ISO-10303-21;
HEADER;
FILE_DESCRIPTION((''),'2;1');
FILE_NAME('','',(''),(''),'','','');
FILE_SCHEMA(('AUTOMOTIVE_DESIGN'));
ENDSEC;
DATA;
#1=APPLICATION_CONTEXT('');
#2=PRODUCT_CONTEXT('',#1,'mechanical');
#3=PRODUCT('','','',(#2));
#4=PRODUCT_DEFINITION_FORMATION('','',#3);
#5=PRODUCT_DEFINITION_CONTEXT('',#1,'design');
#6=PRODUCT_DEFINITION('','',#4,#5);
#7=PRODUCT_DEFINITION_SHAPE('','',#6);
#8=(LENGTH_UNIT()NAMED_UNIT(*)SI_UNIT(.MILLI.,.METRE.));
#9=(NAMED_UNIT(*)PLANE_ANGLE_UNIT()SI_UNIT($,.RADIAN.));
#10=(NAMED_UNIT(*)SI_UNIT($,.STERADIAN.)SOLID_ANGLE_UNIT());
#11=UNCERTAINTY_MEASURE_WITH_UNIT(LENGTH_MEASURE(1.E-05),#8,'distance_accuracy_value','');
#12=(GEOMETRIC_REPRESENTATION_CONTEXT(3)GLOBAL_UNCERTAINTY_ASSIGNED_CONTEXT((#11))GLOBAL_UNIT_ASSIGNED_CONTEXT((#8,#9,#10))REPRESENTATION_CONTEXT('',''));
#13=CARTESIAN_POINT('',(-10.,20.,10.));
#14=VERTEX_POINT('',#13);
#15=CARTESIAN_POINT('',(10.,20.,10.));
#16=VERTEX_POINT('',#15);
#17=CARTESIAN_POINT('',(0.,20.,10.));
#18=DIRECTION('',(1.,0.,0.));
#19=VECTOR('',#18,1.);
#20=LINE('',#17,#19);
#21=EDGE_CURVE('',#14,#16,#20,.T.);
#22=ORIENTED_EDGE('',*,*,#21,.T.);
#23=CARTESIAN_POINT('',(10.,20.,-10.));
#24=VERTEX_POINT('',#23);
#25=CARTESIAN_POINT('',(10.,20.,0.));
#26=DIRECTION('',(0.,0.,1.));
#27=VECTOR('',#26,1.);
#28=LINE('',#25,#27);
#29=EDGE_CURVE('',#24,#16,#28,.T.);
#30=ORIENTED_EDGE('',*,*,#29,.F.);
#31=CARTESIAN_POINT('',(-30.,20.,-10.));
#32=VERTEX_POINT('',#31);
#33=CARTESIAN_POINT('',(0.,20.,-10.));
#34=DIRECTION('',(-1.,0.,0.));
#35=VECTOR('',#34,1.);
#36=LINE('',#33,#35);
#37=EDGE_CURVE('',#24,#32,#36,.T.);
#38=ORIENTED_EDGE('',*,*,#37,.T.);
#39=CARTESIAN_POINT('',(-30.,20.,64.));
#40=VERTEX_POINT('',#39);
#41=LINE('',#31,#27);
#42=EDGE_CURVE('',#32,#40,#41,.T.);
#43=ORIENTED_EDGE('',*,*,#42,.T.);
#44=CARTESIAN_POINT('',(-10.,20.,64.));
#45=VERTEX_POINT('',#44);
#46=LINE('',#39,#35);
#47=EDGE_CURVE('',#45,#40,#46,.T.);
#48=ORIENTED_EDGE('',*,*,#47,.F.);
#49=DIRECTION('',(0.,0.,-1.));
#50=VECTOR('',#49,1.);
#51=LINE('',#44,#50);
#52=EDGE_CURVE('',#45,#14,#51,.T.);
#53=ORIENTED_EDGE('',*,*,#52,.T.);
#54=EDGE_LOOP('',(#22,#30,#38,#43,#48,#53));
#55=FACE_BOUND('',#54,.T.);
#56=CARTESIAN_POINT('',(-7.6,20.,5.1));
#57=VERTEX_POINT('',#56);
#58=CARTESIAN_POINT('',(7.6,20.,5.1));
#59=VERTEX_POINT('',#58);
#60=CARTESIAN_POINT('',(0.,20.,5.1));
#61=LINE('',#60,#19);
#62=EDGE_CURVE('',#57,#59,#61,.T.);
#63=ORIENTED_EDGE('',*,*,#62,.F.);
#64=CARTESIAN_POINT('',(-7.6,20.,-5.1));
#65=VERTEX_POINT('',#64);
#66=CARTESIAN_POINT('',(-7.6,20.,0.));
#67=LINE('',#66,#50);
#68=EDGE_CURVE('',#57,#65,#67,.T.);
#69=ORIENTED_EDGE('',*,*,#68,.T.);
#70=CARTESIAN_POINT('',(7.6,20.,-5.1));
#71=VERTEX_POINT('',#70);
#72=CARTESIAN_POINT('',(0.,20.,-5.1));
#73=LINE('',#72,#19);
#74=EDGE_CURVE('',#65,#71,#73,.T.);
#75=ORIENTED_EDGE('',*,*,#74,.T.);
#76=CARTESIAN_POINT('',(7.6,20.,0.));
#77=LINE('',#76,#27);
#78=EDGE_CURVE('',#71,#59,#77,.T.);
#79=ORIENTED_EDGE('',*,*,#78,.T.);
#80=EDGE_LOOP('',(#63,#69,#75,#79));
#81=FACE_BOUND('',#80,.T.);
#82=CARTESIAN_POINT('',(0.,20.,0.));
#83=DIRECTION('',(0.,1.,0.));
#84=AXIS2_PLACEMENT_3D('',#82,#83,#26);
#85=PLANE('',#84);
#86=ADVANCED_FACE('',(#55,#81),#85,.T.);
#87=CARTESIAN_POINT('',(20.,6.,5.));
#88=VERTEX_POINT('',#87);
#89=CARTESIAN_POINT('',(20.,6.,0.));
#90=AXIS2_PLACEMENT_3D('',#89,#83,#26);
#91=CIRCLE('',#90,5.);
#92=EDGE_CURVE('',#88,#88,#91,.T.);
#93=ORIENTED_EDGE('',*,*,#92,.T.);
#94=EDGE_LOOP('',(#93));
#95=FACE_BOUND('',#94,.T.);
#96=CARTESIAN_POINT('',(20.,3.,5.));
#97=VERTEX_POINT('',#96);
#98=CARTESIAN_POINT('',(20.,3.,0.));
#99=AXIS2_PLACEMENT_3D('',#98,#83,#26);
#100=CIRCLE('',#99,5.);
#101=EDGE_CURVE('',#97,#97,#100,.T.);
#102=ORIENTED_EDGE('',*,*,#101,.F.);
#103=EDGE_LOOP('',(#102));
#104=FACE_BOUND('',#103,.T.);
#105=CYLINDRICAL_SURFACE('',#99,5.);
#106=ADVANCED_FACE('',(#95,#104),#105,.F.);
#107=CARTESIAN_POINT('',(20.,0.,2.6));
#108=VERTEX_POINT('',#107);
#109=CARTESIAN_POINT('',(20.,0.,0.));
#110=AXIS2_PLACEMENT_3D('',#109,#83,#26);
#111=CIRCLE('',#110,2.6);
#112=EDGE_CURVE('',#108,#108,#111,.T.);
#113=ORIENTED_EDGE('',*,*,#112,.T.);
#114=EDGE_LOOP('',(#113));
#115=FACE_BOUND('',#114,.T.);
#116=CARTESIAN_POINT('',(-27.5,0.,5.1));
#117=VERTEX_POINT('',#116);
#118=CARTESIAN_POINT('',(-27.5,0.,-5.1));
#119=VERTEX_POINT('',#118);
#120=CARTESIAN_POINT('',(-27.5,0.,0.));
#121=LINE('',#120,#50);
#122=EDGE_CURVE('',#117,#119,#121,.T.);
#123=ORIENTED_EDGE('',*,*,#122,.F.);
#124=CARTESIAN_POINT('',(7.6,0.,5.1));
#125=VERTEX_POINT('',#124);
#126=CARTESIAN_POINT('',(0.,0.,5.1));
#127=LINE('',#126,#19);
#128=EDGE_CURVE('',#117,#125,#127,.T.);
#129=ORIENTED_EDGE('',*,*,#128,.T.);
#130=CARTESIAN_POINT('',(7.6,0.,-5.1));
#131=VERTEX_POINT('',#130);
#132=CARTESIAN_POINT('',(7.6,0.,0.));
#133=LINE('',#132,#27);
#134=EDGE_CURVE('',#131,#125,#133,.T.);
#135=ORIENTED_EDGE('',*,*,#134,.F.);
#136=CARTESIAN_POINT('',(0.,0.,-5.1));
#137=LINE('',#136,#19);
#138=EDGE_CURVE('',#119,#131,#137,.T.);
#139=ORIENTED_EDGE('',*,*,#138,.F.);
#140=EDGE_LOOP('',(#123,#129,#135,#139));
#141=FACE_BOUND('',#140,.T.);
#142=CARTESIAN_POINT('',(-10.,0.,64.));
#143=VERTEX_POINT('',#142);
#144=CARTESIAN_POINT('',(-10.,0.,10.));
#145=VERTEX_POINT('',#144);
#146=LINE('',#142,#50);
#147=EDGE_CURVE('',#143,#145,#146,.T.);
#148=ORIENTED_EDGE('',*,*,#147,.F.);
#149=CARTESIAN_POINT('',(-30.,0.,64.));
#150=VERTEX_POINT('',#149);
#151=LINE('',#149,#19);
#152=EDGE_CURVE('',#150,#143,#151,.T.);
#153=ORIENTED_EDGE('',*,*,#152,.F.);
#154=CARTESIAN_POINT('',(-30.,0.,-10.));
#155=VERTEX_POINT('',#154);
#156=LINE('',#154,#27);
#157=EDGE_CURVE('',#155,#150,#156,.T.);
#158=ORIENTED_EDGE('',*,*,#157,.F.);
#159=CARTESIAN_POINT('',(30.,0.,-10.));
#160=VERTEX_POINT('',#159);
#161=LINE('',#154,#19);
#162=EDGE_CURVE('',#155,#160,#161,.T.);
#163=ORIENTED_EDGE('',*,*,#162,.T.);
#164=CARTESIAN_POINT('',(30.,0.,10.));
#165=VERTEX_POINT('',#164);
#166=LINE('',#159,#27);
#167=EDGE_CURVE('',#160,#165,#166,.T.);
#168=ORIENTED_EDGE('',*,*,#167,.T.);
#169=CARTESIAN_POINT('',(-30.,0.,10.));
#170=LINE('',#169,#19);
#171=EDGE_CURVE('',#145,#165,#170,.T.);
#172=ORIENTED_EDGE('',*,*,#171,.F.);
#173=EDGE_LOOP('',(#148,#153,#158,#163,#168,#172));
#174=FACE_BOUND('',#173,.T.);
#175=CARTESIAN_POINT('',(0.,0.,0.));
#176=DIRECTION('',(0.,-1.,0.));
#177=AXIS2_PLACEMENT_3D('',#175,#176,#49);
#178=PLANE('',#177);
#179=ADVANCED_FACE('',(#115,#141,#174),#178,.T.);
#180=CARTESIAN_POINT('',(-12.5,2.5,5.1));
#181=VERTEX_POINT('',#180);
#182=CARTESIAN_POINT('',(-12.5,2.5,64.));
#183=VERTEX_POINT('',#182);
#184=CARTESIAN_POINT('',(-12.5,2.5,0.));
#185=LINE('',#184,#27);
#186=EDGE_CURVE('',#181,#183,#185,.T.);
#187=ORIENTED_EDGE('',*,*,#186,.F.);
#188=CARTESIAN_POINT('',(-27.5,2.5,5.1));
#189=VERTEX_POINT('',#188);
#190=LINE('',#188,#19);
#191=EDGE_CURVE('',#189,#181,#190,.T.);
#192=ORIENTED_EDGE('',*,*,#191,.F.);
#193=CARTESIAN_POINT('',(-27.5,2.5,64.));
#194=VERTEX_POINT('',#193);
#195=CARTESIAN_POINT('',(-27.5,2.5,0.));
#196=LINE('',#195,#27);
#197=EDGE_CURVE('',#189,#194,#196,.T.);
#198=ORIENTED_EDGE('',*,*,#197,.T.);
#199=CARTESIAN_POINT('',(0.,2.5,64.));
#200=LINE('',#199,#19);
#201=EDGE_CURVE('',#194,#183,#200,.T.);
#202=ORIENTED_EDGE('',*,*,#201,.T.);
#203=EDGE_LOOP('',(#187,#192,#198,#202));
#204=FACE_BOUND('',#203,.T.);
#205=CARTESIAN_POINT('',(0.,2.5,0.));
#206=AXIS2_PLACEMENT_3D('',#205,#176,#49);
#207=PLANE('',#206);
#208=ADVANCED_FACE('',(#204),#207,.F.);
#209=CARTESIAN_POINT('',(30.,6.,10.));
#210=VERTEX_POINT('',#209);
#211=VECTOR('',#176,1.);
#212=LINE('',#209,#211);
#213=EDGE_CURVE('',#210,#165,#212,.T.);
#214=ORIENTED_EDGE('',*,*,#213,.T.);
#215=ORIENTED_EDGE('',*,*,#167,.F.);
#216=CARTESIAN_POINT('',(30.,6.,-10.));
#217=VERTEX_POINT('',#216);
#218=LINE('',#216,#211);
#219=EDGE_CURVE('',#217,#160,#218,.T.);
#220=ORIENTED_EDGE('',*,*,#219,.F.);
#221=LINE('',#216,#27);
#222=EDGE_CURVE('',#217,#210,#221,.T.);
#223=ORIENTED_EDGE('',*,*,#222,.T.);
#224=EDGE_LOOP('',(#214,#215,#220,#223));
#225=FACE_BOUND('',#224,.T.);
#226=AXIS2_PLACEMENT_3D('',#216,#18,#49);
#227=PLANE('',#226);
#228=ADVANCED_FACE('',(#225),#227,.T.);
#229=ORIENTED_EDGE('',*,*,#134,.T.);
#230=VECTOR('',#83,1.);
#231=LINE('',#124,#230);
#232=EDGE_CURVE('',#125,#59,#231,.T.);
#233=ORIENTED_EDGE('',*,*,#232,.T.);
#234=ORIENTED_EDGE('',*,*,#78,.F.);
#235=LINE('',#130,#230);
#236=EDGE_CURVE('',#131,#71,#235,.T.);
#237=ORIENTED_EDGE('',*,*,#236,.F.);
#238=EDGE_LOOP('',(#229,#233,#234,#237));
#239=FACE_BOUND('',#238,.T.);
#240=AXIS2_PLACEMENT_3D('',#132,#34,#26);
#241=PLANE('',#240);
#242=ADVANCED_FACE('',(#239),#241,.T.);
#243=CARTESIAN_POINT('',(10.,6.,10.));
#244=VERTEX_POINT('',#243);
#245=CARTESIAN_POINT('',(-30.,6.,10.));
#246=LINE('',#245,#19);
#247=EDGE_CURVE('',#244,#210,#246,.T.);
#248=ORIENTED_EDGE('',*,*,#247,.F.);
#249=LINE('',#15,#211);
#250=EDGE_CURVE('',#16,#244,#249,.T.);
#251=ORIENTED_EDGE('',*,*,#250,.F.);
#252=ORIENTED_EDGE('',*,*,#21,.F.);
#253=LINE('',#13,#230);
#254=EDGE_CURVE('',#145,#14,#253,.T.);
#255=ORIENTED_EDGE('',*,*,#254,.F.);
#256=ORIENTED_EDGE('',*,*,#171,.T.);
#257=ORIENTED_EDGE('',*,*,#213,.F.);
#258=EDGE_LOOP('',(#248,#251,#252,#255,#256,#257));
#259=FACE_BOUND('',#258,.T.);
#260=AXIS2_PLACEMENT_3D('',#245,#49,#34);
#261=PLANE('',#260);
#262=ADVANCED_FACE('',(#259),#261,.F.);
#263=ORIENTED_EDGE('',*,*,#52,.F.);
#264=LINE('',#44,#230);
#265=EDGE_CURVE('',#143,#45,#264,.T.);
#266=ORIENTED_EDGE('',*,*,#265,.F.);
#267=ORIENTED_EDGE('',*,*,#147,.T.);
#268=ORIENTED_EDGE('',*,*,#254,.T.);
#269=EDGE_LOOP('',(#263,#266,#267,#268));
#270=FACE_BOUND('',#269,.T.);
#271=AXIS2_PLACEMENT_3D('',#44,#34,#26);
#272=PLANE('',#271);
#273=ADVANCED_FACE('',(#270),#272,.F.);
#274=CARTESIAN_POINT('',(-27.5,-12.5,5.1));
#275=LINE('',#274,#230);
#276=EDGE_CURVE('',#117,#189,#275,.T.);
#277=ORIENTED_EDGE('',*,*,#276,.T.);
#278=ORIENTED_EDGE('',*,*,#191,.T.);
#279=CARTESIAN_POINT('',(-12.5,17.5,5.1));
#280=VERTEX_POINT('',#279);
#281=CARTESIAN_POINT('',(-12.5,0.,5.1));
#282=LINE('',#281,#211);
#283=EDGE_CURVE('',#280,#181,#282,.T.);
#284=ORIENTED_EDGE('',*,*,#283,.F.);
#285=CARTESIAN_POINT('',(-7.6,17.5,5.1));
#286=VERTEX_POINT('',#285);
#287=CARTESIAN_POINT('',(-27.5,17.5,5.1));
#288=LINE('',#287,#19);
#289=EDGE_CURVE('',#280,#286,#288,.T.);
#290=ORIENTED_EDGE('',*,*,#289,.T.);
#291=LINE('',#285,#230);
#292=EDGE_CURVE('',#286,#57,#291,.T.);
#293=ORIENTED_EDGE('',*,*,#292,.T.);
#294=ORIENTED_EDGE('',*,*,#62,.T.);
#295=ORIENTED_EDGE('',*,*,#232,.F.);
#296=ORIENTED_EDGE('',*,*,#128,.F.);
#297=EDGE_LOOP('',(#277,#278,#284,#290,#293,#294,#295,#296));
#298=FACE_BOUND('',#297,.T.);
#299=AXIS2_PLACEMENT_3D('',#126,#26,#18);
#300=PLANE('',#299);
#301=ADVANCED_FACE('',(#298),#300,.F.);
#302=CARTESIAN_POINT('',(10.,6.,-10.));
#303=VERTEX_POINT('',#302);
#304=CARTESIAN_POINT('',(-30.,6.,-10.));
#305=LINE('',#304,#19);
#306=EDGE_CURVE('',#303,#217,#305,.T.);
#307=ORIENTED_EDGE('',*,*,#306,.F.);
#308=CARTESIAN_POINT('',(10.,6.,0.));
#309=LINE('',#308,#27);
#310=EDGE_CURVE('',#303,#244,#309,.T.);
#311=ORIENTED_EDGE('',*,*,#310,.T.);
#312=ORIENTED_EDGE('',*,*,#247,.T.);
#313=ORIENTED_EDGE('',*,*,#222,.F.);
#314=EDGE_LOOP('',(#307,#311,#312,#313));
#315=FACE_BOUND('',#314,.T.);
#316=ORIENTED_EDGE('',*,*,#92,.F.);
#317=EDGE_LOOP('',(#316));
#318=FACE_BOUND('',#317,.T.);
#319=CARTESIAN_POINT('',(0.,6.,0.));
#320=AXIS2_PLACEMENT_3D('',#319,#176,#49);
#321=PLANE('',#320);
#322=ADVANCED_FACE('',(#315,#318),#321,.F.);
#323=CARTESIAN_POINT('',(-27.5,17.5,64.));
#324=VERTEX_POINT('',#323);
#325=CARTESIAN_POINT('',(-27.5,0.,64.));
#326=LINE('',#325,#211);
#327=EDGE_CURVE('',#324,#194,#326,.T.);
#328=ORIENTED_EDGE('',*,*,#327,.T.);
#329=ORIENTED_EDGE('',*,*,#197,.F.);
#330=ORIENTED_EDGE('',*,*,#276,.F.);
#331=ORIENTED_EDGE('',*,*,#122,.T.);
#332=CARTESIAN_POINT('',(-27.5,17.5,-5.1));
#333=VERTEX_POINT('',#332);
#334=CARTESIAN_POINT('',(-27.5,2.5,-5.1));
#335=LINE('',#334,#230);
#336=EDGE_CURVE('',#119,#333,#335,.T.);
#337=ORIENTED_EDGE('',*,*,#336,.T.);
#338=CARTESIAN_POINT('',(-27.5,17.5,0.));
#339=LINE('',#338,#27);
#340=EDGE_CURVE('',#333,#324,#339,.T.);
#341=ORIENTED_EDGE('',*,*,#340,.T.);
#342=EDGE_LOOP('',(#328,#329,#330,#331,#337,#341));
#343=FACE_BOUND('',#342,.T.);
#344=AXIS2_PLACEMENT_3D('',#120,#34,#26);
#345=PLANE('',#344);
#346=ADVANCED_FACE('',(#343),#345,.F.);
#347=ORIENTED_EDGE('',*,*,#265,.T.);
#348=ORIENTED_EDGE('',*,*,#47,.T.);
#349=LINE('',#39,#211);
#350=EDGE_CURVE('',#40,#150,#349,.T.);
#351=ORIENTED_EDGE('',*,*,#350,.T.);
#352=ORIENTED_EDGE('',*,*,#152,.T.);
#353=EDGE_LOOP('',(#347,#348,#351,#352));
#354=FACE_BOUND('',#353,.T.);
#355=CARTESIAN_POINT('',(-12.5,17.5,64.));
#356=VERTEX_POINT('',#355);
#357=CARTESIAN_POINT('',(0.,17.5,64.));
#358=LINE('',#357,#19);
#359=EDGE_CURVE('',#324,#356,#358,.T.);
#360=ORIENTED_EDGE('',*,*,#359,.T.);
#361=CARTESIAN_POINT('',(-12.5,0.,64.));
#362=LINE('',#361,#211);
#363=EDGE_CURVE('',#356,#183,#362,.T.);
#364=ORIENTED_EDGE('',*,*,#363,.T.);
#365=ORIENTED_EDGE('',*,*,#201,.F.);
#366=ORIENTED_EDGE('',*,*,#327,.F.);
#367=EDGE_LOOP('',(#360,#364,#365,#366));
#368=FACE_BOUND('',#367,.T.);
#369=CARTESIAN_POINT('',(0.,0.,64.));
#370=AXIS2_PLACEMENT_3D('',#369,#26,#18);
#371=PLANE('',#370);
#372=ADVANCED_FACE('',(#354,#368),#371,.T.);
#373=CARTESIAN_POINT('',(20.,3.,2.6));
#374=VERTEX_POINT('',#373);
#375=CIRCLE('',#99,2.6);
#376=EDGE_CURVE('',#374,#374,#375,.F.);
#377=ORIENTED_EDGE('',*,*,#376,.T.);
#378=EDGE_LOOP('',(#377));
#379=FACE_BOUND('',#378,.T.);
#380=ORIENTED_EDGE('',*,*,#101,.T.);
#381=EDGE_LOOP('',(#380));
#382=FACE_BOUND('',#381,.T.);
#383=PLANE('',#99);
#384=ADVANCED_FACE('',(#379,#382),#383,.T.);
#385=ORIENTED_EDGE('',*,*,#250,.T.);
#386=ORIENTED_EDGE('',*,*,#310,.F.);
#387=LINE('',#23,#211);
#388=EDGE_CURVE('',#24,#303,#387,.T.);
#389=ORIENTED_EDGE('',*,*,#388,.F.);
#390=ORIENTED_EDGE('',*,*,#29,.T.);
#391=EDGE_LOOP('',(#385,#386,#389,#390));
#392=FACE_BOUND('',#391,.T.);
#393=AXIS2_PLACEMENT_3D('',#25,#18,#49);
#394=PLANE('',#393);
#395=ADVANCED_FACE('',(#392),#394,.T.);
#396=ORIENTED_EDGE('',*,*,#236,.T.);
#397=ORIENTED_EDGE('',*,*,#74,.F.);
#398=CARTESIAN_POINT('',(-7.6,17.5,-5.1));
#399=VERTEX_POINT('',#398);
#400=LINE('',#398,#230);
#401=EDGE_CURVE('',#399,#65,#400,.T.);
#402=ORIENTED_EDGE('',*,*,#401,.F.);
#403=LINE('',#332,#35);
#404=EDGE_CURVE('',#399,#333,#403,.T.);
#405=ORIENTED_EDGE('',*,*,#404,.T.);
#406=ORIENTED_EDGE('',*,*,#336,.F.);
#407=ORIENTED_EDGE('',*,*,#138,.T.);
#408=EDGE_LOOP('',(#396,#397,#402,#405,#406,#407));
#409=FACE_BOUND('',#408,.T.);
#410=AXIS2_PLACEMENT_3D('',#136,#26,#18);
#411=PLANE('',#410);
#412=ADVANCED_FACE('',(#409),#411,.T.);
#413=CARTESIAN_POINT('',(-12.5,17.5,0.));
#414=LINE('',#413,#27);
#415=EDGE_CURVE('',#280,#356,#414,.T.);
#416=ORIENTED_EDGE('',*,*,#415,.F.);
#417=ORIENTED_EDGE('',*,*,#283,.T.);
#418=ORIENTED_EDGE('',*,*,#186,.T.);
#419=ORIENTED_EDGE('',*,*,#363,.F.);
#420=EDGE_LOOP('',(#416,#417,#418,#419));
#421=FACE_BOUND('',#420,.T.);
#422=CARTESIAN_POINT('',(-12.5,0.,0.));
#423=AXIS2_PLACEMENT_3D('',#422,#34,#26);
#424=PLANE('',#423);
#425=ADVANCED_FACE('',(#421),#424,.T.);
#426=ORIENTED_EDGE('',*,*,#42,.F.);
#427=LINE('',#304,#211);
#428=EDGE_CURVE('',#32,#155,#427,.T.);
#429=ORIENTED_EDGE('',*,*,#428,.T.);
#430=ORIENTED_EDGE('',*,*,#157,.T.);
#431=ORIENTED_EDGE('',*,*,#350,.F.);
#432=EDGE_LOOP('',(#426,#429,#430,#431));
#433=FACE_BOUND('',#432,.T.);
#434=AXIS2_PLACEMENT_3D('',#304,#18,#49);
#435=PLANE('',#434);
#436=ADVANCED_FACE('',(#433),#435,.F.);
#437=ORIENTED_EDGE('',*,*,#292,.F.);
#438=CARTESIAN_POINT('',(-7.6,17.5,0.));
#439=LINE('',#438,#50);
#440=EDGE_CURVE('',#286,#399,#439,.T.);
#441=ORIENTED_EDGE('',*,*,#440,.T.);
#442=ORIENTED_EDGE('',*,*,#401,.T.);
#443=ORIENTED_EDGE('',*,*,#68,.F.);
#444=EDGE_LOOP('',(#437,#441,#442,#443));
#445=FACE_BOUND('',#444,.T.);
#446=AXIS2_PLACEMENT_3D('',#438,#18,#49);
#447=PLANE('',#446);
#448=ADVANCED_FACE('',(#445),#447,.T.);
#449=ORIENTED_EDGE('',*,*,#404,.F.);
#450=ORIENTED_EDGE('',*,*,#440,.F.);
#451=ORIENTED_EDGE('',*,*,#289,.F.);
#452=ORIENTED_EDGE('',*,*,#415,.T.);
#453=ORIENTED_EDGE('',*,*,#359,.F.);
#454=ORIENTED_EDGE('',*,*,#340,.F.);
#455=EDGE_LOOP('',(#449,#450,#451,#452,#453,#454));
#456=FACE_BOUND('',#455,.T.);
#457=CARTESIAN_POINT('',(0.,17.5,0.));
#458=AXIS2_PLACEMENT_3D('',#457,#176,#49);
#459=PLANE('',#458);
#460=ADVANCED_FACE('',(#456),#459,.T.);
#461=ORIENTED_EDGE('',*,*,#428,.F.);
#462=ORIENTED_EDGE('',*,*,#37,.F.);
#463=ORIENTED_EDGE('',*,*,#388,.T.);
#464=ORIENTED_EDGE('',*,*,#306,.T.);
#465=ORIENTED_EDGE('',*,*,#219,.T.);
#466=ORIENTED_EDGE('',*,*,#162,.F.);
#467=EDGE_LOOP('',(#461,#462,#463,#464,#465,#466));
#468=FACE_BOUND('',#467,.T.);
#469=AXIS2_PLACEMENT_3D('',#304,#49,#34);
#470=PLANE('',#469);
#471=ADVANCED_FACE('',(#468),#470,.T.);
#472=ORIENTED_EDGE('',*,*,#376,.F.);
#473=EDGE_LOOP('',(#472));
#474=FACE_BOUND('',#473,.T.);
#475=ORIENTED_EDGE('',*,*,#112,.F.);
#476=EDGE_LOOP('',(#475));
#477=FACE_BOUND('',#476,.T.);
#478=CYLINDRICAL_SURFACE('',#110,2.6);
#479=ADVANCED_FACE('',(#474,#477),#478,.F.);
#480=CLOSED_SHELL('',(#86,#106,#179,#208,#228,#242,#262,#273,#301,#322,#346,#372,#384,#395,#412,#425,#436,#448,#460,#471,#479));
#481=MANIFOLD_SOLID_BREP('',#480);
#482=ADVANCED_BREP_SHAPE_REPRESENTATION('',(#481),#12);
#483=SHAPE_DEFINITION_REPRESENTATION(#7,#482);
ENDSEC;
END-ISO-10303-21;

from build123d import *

# Parameters (mm, degrees)
SKETCH_1_W          = 60
SKETCH_1_H          = 20
EXTRUDE_1_DEPTH     = 6
CUT_EXTRUDE_1_DEPTH = 6
SKETCH_3_R          = 5
CUT_EXTRUDE_2_DEPTH = 3
EXTRUDE_2_DEPTH     = 14
CUT_EXTRUDE_3_DEPTH = 20
SKETCH_6_W          = 20
SKETCH_6_H          = 20
EXTRUDE_3_DEPTH     = 14
SKETCH_7_W          = 20
SKETCH_7_H          = 20
EXTRUDE_4_DEPTH     = 54
SKETCH_8_W          = 15
SKETCH_8_H          = 15
CUT_EXTRUDE_4_DEPTH = 64
SKETCH_9_W          = 19.9
SKETCH_9_H          = 10.2
CUT_EXTRUDE_5_DEPTH = 17.5
SKETCH_11_W         = 19.9
SKETCH_11_H         = 10.2
CUT_EXTRUDE_6_DEPTH = 15
SKETCH_12_W         = 35.1
SKETCH_12_H         = 10.2
EXTRUDE_5_DEPTH     = 2.5
CUT_EXTRUDE_7_DEPTH = 2.5


with BuildPart() as part:
    # 草图1 → 凸台-拉伸1 (new body)
    with BuildSketch(Plane(origin=(0, 0, 0), x_dir=(1, 0, 0), z_dir=(0, 1, 0))):
        Rectangle(SKETCH_1_W, SKETCH_1_H)
    extrude(amount=EXTRUDE_1_DEPTH)

    # 草图2 → 切除-拉伸1 (cut)
    with BuildSketch(Plane(origin=(0, 6, 0), x_dir=(1, 0, 0), z_dir=(0, 1, 0))):
        with BuildLine():
            ThreePointArc((22.6, 0), (20, 2.6), (17.4, 0))
            Line((17.4, 0), (22.6, 0))
        make_face()
        with BuildLine():
            Line((22.6, 0), (17.4, 0))
            ThreePointArc((17.4, 0), (20, -2.6), (22.6, 0))
        make_face()
    extrude(amount=-CUT_EXTRUDE_1_DEPTH, mode=Mode.SUBTRACT)

    # 草图3 → 切除-拉伸2 (cut)
    with BuildSketch(Plane(origin=(0, 6, 0), x_dir=(1, 0, 0), z_dir=(0, 1, 0))):
        with Locations(Location((20, 0, 0), (0, 0, 270))):
            Circle(SKETCH_3_R)
    extrude(amount=-CUT_EXTRUDE_2_DEPTH, mode=Mode.SUBTRACT)

    # 草图4 → 凸台-拉伸2 (add)
    with BuildSketch(Plane(origin=(0, 6, 0), x_dir=(1, 0, 0), z_dir=(0, 1, 0))):
        Polygon((-10, -10), (0, -10), (10, -10), (10, 10), (0, 10), (-10, 10), align=None)
    extrude(amount=EXTRUDE_2_DEPTH)

    # 草图5 → 切除-拉伸3 (cut)
    with BuildSketch(Plane(origin=(0, 20, 0), x_dir=(1, 0, 0), z_dir=(0, 1, 0))):
        Polygon((-7.6, 0), (0, 0), (7.6, 0), (7.6, 5.1), (-7.6, 5.1), align=None)
        Polygon((7.6, 0), (0, 0), (-7.6, 0), (-7.6, -5.1), (7.6, -5.1), align=None)
    extrude(amount=-CUT_EXTRUDE_3_DEPTH, mode=Mode.SUBTRACT)

    # 草图6 → 凸台-拉伸3 (add)
    with BuildSketch(Plane(origin=(0, 6, 0), x_dir=(1, 0, 0), z_dir=(0, 1, 0))):
        with Locations((-20, 0)):
            Rectangle(SKETCH_6_W, SKETCH_6_H)
    extrude(amount=EXTRUDE_3_DEPTH)

    # 草图7 → 凸台-拉伸4 (add)
    with BuildSketch(Plane.XY.offset(10)):
        with Locations((-20, 10)):
            Rectangle(SKETCH_7_W, SKETCH_7_H)
    extrude(amount=EXTRUDE_4_DEPTH)

    # 草图8 → 切除-拉伸4 (cut)
    with BuildSketch(Plane.XY.offset(64)):
        with Locations((-20, 10)):
            Rectangle(SKETCH_8_W, SKETCH_8_H)
    extrude(amount=-CUT_EXTRUDE_4_DEPTH, mode=Mode.SUBTRACT)

    # 草图9 → 切除-拉伸5 (cut)
    with BuildSketch(Plane(origin=(0, 20, 0), x_dir=(1, 0, 0), z_dir=(0, 1, 0))):
        with Locations((-17.55, 0)):
            Rectangle(SKETCH_9_W, SKETCH_9_H)
    extrude(amount=-CUT_EXTRUDE_5_DEPTH, mode=Mode.SUBTRACT)

    # 草图11 → 切除-拉伸6 (cut)
    with BuildSketch(Plane(origin=(0, 2.5, 0), x_dir=(1, 0, 0), z_dir=(0, 1, 0))):
        with Locations((-17.55, 0)):
            Rectangle(SKETCH_11_W, SKETCH_11_H)
    extrude(amount=-CUT_EXTRUDE_6_DEPTH, mode=Mode.SUBTRACT)

    # 草图12 → 凸台-拉伸5 (add)
    with BuildSketch(Plane(origin=(0, 20, 0), x_dir=(1, 0, 0), z_dir=(0, 1, 0))):
        with Locations((-9.95, 0)):
            Rectangle(SKETCH_12_W, SKETCH_12_H)
    extrude(amount=-EXTRUDE_5_DEPTH)

    # 草图13 → 切除-拉伸7 (cut)
    with BuildSketch(Plane(origin=(0, 20, 0), x_dir=(1, 0, 0), z_dir=(0, 1, 0))):
        Polygon((-7.6, 0), (0, 0), (7.6, 0), (7.6, 5.1), (-7.6, 5.1), align=None)
        Polygon((7.6, 0), (0, 0), (-7.6, 0), (-7.6, -5.1), (7.6, -5.1), align=None)
    extrude(amount=-CUT_EXTRUDE_7_DEPTH, mode=Mode.SUBTRACT)


solid = part.part
